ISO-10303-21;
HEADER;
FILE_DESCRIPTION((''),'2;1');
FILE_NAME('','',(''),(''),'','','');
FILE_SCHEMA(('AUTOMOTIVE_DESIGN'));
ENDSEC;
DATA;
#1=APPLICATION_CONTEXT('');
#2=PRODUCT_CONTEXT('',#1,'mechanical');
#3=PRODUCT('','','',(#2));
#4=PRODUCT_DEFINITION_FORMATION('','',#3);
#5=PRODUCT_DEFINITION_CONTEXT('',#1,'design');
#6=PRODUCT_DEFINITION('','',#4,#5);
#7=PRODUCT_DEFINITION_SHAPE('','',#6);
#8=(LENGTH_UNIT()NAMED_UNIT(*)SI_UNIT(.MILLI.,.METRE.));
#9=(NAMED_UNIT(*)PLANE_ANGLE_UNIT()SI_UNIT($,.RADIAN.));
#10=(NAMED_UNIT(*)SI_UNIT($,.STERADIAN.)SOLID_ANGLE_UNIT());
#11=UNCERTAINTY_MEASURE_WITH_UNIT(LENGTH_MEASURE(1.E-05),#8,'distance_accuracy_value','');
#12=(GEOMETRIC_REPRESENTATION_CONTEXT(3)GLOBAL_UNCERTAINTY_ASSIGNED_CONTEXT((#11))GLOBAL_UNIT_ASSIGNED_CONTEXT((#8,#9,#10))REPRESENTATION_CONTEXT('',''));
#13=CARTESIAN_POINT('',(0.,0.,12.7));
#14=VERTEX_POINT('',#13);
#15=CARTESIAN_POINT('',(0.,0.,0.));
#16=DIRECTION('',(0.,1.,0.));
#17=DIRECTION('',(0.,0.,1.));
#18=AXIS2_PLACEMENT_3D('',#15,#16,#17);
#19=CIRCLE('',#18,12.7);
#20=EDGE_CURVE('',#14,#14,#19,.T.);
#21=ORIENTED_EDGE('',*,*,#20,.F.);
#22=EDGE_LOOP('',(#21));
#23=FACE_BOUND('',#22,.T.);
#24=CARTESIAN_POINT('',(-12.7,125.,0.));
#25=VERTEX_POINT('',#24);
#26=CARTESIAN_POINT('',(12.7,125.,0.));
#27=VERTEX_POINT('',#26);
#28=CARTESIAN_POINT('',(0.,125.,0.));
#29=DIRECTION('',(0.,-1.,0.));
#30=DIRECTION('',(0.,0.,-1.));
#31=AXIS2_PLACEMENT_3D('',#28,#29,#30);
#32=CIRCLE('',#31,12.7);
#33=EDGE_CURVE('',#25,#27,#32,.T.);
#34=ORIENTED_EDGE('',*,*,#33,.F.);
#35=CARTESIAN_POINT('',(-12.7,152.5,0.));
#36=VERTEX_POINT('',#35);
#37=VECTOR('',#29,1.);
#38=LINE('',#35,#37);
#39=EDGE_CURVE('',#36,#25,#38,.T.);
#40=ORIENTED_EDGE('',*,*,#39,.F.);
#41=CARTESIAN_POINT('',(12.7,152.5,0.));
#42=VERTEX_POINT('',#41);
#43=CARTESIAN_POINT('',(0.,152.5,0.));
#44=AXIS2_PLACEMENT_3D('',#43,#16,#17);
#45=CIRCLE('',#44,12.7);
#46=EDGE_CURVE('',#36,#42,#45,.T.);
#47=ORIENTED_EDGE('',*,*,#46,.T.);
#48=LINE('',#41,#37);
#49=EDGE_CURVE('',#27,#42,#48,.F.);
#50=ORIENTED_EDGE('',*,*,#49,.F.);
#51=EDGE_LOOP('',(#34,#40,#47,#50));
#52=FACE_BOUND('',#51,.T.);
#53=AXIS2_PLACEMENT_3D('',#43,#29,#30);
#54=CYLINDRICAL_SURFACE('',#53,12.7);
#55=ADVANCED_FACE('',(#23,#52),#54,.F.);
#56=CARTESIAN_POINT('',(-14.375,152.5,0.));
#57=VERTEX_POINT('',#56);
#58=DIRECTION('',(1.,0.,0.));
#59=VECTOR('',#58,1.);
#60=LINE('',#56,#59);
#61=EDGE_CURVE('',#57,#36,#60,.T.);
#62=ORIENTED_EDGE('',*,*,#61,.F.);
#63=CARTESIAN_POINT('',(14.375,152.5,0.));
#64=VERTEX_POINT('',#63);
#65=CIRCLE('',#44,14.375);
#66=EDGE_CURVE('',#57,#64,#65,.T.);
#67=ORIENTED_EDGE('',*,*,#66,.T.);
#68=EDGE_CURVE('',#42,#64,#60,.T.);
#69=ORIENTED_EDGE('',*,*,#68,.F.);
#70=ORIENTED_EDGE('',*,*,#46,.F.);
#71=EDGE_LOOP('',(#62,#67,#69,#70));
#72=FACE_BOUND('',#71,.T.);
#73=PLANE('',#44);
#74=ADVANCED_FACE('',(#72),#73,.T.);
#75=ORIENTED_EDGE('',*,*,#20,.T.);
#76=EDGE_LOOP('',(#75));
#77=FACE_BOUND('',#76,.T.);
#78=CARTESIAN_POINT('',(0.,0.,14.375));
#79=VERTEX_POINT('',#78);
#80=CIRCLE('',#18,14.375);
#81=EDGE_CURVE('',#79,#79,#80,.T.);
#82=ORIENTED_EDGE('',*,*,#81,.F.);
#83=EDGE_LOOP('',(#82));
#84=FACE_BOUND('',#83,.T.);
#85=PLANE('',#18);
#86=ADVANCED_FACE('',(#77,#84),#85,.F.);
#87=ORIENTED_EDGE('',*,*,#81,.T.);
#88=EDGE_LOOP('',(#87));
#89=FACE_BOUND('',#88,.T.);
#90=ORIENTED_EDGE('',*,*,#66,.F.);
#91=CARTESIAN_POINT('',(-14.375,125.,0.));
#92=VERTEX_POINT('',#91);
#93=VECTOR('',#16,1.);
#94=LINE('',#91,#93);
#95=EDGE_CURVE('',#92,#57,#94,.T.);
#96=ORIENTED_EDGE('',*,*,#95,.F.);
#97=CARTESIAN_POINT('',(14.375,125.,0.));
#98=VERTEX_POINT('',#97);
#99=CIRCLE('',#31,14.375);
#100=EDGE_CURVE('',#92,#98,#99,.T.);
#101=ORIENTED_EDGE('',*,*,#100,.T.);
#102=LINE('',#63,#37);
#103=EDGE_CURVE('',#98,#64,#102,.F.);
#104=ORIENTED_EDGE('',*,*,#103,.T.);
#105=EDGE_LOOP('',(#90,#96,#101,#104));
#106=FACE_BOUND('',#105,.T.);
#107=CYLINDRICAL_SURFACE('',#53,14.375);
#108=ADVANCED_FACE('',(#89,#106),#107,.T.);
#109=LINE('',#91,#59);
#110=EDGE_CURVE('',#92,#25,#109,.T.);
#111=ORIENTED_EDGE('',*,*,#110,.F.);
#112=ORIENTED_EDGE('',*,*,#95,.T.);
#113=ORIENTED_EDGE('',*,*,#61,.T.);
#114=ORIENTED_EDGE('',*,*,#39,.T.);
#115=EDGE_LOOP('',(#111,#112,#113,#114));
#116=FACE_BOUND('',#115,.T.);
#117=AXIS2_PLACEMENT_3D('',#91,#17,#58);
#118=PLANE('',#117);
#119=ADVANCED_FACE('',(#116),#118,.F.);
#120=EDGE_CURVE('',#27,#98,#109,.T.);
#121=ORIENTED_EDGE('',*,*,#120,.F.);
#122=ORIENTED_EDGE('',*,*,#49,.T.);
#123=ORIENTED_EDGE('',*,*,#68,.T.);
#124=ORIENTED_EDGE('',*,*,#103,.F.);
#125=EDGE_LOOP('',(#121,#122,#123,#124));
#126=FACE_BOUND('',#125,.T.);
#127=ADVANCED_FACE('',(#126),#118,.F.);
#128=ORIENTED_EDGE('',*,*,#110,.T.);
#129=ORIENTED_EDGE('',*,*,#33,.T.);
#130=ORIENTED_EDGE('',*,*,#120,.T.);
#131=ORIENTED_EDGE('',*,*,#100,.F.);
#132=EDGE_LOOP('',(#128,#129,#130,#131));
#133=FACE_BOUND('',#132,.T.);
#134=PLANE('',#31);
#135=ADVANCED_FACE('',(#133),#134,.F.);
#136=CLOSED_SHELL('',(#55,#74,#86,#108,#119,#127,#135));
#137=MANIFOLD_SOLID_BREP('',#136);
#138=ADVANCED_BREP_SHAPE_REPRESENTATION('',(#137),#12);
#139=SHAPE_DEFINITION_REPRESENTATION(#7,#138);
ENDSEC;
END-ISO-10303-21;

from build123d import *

# Parameters (mm, degrees)
SKETCH1_R           = 14.375
SKETCH1_R_2         = 12.7
BOSS_EXTRUDE1_DEPTH = 152.5
SKETCH2_W           = 29.71625972
SKETCH2_H           = 15.555523124
CUT_EXTRUDE1_DEPTH  = 27.5


with BuildPart() as part:
    # Sketch1 → Boss-Extrude1 (new body)
    with BuildSketch(Plane(origin=(0, 0, 0), x_dir=(1, 0, 0), z_dir=(0, 1, 0))):
        with Locations(Location((0, 0, 0), (0, 0, 270))):
            Circle(SKETCH1_R)
        with Locations(Location((0, 0, 0), (0, 0, 270))):
            Circle(SKETCH1_R_2, mode=Mode.SUBTRACT)
    extrude(amount=BOSS_EXTRUDE1_DEPTH)

    # Sketch2 → Cut-Extrude1 (cut)
    with BuildSketch(Plane(origin=(0, 152.5, 0), x_dir=(1, 0, 0), z_dir=(0, 1, 0))):
        with Locations((0.48312986, 7.777761562)):
            Rectangle(SKETCH2_W, SKETCH2_H)
    extrude(amount=-CUT_EXTRUDE1_DEPTH, mode=Mode.SUBTRACT)


solid = part.part
